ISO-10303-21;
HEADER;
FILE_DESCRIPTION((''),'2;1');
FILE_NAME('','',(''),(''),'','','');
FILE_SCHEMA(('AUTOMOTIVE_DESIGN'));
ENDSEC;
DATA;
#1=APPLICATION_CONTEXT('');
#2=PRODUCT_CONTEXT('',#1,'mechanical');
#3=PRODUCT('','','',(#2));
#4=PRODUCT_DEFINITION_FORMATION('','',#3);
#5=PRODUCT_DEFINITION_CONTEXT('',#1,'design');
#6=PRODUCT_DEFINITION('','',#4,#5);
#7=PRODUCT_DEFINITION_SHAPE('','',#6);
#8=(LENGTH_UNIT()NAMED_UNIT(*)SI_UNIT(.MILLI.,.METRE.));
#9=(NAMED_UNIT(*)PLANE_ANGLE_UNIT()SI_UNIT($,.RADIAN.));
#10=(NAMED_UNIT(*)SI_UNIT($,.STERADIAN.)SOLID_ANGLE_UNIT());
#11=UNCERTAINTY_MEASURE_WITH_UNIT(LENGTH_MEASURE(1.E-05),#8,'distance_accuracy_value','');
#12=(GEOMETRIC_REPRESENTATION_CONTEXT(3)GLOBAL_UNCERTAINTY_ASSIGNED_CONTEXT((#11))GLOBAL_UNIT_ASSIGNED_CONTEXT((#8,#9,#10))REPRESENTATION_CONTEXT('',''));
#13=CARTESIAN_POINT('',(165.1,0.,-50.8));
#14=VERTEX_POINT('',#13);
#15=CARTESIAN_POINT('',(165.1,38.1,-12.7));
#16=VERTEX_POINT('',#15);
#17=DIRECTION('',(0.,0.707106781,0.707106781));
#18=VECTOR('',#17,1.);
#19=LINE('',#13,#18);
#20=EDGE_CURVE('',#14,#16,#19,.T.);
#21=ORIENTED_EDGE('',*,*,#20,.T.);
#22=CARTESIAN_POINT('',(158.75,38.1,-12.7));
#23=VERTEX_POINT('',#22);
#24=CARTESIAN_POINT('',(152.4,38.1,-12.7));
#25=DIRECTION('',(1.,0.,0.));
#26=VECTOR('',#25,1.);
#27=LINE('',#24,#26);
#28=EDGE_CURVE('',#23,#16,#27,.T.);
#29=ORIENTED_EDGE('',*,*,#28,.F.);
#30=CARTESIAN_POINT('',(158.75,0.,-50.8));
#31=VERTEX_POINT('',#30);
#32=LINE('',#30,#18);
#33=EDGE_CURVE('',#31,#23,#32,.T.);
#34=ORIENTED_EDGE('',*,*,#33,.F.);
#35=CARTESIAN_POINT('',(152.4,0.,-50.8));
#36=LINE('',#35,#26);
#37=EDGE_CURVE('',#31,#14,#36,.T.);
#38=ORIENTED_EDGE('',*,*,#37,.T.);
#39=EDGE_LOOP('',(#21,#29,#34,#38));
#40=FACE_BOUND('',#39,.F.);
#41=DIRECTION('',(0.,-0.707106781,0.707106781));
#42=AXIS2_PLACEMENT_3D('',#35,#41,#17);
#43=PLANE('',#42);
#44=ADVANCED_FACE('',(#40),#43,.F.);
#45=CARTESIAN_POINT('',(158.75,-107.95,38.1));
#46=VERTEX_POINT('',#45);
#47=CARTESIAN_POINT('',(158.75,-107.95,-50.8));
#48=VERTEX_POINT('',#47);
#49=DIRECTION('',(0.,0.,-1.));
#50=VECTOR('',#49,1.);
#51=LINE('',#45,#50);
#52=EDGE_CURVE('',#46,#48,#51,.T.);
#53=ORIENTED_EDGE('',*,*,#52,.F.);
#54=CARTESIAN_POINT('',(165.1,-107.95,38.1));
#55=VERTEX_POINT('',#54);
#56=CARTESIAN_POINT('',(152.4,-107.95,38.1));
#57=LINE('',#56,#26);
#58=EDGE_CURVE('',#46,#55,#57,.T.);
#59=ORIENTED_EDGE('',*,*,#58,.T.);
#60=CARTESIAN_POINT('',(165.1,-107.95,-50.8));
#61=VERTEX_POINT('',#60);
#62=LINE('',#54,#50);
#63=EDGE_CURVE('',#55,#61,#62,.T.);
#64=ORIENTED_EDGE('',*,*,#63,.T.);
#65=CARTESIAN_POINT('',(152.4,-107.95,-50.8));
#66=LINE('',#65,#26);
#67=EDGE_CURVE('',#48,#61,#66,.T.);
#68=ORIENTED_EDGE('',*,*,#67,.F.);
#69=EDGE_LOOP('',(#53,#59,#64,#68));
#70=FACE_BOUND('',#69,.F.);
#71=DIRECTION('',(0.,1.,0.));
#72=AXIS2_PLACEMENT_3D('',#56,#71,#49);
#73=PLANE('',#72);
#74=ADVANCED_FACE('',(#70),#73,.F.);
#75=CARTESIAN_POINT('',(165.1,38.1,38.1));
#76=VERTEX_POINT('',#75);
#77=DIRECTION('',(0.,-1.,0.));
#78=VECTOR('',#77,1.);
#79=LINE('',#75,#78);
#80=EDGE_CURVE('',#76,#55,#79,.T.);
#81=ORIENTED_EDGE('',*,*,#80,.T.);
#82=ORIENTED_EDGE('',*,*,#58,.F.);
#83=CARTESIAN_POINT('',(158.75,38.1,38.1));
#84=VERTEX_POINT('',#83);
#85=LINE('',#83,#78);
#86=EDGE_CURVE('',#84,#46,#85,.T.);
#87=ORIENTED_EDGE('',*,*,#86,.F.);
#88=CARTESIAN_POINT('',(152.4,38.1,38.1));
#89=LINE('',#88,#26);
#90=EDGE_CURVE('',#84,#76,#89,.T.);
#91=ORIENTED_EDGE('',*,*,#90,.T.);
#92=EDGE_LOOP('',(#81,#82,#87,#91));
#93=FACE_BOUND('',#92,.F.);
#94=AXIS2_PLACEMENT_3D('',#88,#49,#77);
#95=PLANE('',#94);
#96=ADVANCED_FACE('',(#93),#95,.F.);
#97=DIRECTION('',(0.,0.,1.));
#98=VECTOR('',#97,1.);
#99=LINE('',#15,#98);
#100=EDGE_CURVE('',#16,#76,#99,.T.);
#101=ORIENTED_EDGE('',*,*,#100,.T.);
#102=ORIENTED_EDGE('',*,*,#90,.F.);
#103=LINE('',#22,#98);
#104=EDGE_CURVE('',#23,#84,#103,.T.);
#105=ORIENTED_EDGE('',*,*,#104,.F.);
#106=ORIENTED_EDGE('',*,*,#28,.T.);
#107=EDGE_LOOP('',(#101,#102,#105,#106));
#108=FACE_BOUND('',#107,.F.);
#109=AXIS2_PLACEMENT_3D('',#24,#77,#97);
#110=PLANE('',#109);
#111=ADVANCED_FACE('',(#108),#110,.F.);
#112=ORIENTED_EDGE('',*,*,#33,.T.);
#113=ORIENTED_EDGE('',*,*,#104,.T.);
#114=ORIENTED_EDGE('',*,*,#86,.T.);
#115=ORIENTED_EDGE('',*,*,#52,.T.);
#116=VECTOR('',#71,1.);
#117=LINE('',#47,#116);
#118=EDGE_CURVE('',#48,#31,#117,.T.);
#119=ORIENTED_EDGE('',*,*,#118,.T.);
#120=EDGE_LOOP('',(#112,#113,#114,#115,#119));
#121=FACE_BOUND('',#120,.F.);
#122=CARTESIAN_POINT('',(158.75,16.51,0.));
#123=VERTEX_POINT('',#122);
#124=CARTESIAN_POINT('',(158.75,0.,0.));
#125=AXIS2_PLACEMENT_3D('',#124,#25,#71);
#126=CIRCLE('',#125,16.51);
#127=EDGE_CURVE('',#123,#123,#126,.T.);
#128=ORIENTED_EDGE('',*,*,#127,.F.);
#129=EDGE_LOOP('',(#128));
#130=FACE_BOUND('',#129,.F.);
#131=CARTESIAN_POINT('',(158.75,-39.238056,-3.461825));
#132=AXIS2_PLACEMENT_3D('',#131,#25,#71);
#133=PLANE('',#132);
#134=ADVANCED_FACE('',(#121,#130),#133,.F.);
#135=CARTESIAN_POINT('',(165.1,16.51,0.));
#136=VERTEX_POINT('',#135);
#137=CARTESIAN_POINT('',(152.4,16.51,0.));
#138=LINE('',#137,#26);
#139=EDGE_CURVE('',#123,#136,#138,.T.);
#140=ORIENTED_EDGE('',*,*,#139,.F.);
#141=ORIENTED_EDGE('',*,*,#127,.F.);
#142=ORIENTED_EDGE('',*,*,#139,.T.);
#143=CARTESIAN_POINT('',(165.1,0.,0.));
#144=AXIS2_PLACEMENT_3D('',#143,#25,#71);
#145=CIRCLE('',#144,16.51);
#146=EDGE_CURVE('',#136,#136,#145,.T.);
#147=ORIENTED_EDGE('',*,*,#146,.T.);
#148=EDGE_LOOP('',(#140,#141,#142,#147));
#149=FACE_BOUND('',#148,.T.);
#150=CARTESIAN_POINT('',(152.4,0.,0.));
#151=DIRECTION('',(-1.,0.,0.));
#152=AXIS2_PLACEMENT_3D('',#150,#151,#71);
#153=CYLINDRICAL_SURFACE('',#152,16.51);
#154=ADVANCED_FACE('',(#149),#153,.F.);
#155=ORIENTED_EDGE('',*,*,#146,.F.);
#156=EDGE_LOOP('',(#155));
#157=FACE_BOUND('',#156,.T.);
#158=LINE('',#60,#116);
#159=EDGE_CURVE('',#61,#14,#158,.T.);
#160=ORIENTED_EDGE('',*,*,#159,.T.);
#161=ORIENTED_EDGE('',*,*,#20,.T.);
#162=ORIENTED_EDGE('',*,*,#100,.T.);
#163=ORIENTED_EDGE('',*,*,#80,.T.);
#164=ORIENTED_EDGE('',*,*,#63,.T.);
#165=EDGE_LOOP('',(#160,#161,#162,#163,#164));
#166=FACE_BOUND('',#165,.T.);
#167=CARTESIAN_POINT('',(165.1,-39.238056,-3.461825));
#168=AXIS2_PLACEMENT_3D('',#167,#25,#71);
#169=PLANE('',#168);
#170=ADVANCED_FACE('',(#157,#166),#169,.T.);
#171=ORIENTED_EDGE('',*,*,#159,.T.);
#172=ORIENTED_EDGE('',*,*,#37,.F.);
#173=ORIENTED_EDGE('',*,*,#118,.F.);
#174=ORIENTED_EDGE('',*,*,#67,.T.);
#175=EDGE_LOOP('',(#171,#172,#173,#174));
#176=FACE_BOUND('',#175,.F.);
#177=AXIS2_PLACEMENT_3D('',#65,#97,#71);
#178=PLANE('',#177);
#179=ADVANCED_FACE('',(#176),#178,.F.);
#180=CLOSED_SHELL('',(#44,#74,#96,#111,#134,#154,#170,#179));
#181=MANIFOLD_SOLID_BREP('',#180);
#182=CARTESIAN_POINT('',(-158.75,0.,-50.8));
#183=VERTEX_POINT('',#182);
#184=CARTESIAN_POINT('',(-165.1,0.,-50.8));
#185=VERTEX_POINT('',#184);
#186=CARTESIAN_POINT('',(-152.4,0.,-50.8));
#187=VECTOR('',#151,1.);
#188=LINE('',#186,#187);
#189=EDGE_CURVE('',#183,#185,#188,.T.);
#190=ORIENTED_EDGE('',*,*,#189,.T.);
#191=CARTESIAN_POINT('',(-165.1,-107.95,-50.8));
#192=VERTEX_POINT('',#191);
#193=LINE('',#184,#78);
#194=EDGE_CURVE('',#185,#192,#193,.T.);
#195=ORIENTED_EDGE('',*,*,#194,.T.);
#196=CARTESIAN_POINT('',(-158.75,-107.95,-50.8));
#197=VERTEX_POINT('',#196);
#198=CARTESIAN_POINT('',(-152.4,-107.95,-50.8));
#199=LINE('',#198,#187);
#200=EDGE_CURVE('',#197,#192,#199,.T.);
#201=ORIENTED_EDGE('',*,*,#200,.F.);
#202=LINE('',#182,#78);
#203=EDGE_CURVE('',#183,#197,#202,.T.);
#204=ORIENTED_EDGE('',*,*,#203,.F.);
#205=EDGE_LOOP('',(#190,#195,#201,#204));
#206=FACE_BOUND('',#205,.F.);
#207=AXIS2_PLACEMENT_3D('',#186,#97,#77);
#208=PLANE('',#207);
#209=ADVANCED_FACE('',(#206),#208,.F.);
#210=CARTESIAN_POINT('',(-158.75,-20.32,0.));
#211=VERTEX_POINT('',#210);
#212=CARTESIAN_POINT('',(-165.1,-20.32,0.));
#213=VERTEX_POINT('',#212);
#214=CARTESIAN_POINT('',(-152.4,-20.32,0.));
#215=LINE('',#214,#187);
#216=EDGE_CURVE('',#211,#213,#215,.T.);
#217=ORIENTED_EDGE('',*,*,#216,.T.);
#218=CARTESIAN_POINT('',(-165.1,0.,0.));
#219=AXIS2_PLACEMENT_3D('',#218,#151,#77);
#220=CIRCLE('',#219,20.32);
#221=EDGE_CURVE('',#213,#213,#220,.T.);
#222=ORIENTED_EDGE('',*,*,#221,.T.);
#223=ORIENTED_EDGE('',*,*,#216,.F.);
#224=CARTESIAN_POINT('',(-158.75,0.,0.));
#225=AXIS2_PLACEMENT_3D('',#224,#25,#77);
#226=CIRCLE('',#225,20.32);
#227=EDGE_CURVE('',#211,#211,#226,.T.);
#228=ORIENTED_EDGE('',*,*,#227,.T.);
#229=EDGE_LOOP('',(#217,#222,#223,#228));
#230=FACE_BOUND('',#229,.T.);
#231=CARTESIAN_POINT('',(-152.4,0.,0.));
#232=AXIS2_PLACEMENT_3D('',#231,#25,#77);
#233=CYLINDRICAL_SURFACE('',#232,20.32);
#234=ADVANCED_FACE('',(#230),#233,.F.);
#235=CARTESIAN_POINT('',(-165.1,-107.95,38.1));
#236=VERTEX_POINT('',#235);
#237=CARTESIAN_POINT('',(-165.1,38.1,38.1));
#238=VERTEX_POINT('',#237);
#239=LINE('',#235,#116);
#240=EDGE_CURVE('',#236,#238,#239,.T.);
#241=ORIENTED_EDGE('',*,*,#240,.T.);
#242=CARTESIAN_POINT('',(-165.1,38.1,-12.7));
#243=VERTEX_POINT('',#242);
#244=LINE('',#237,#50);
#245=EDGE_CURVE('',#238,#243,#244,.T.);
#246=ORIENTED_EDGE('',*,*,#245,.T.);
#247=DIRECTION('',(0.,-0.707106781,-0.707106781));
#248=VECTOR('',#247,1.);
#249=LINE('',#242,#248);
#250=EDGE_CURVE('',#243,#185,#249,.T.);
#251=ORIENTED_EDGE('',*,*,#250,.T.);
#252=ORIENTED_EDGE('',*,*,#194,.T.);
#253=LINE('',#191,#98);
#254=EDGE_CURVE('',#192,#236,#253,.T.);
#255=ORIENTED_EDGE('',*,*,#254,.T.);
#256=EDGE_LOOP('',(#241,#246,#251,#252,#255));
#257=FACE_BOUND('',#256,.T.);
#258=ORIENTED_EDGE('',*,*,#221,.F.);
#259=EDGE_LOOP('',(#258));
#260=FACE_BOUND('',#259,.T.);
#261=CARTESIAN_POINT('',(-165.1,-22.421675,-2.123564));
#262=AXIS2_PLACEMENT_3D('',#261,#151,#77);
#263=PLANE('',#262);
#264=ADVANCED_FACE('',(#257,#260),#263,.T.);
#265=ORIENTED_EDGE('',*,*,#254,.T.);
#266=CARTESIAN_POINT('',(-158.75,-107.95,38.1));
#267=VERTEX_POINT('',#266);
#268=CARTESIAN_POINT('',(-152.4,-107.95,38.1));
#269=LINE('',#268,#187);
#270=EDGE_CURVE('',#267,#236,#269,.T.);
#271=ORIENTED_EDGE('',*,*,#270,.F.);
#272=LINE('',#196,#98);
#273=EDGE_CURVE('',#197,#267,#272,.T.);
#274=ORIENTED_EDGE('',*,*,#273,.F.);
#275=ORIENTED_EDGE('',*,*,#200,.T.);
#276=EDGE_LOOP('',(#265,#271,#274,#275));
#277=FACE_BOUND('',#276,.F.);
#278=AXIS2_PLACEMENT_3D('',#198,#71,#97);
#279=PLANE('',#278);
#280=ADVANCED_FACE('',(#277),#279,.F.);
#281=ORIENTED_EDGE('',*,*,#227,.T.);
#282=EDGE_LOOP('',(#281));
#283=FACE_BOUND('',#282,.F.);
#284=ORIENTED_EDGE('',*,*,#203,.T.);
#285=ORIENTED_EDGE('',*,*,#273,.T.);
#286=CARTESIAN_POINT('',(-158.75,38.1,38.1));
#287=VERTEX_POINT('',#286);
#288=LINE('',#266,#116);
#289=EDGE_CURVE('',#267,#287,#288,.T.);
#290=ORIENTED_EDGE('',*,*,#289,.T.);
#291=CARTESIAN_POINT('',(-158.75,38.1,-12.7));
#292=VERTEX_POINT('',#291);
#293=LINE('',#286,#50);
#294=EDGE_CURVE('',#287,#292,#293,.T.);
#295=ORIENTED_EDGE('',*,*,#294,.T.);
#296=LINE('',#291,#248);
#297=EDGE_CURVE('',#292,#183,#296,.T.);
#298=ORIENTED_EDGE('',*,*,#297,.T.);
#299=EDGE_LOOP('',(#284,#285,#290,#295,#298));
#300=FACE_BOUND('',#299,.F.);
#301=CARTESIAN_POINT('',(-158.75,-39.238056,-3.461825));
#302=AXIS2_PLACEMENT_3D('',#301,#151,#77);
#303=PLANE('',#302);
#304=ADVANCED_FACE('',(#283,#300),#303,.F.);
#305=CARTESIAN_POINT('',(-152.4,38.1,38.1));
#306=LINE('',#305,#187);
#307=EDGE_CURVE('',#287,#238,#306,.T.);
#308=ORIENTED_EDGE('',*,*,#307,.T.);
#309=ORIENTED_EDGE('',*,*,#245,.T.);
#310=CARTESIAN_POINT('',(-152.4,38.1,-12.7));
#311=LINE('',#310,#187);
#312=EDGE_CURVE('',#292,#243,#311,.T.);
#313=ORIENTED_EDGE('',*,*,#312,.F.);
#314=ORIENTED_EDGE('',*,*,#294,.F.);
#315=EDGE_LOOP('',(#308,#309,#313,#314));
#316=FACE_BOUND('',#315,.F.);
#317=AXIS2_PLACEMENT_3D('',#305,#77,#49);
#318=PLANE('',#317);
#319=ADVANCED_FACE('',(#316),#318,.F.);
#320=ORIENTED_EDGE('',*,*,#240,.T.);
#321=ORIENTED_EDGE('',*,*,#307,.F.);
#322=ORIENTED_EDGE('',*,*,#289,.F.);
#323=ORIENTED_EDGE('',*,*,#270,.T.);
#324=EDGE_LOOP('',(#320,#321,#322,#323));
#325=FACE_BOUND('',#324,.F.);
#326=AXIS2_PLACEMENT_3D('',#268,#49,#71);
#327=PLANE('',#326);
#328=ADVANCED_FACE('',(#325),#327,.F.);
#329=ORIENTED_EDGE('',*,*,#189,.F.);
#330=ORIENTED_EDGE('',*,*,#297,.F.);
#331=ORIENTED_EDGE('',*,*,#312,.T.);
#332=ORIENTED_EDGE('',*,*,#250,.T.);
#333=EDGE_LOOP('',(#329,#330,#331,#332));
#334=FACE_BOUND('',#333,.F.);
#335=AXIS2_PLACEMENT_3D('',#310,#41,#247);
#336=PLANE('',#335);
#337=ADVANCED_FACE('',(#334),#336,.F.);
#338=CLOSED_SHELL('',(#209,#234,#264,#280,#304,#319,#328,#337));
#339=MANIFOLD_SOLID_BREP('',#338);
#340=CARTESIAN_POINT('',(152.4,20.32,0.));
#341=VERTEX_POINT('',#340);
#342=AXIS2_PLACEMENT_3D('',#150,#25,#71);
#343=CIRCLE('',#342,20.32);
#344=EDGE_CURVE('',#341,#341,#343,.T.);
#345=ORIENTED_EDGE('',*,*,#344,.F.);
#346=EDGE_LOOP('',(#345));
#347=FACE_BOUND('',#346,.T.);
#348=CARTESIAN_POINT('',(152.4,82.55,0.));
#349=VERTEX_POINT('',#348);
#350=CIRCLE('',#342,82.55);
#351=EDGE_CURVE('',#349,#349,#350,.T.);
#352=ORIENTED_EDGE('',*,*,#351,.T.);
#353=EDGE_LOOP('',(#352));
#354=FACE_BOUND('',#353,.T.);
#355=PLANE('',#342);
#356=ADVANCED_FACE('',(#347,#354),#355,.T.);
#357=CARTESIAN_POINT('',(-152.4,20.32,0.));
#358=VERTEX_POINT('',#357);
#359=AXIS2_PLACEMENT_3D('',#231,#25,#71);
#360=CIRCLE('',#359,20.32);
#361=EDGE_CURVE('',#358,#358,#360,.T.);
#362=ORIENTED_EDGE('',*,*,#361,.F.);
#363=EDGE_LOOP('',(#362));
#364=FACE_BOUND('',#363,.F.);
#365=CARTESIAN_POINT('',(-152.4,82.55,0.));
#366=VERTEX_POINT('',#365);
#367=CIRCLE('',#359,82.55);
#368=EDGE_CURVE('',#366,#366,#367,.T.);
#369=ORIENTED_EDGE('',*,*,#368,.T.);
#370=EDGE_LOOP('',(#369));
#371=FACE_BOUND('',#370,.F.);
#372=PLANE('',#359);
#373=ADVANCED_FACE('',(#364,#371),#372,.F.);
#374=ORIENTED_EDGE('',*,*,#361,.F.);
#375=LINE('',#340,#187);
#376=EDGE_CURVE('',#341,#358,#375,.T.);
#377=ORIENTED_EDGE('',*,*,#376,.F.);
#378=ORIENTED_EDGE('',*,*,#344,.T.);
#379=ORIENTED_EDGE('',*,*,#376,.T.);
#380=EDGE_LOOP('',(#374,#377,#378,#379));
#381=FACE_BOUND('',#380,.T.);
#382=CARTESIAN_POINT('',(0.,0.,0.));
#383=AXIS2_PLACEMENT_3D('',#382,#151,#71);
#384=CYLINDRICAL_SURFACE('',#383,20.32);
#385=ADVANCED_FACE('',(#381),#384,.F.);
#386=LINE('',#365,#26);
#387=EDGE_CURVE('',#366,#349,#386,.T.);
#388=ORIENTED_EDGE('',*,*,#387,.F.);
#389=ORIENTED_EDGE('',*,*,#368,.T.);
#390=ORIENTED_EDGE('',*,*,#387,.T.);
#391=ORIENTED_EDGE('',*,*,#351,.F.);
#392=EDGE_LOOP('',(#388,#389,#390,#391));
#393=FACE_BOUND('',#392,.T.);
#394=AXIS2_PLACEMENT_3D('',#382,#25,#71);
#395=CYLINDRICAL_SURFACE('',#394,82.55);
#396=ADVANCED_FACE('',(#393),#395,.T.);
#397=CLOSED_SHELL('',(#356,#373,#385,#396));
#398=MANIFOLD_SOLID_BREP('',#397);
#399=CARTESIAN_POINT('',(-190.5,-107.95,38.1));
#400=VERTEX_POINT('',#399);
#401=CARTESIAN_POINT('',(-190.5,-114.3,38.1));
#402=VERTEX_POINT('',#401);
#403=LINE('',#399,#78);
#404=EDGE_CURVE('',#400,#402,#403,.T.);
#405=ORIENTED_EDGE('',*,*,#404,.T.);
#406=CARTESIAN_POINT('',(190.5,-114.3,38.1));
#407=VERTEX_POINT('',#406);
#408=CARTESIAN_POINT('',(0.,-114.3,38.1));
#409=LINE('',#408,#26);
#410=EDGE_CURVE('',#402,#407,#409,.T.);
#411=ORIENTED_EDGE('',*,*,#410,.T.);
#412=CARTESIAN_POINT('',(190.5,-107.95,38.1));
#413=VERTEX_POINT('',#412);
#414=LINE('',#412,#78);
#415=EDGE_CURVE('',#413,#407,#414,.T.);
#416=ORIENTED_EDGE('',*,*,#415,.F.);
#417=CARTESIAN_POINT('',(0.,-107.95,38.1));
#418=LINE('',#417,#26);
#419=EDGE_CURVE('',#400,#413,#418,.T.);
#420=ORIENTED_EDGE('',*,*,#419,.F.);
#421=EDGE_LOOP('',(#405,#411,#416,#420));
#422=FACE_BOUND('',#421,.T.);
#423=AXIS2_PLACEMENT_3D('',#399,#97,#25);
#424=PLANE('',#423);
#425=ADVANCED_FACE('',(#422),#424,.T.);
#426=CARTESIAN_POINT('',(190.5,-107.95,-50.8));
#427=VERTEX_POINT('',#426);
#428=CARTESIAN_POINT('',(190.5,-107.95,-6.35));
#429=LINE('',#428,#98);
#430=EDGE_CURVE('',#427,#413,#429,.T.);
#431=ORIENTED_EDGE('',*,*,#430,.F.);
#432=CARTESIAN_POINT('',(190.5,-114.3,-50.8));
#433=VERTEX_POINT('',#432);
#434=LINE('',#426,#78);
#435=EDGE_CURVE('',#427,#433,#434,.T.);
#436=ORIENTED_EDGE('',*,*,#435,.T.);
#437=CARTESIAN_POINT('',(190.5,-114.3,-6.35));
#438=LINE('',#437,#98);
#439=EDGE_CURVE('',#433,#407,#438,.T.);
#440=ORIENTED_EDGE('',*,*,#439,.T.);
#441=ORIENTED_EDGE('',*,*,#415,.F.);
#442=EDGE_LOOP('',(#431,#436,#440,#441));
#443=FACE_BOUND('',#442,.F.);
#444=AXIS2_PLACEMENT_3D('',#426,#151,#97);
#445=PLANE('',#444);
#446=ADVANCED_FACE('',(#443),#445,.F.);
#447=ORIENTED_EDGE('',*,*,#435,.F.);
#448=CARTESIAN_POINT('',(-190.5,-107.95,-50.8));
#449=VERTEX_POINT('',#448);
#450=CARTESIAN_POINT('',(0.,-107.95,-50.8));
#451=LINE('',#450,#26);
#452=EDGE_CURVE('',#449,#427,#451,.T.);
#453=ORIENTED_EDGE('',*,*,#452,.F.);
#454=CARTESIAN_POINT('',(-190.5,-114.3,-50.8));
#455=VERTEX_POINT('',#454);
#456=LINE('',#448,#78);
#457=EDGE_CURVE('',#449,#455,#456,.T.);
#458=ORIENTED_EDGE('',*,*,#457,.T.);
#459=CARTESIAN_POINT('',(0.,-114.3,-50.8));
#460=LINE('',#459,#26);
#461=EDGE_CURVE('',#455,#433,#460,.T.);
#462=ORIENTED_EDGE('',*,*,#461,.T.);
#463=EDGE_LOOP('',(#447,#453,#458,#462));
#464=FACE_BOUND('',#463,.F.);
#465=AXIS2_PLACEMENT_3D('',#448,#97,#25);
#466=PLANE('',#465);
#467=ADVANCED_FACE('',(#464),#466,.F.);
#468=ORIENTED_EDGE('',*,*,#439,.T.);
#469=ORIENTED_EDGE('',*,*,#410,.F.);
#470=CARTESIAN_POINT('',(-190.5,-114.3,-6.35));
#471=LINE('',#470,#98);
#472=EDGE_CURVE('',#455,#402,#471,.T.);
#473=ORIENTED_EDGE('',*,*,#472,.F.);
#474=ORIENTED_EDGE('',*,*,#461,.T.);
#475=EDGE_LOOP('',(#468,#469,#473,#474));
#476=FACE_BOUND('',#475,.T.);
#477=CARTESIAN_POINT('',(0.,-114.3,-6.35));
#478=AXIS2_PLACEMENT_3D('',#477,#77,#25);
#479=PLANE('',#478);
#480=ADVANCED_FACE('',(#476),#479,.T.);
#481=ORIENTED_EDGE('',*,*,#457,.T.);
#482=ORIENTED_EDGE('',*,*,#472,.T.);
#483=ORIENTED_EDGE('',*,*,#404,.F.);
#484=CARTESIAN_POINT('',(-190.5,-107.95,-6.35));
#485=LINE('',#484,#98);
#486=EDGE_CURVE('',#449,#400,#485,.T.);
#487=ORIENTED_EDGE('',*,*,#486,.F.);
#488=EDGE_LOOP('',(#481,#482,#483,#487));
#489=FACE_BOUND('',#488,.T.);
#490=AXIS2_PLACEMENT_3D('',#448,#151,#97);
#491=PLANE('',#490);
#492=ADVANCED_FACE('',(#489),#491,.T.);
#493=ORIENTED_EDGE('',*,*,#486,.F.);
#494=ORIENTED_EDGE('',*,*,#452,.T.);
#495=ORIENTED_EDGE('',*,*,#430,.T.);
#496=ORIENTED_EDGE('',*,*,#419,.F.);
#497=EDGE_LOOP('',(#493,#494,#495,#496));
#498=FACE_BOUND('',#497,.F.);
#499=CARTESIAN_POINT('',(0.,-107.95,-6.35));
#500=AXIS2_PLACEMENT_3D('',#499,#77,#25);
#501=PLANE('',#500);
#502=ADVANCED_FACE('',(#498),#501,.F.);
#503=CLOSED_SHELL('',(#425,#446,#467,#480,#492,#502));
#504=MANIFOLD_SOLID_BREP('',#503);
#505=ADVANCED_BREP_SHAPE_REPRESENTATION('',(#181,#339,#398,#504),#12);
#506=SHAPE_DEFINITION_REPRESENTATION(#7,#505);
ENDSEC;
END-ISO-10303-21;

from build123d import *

# Parameters (mm, degrees)
F0_R     = 82.55
F0_R_2   = 20.32
F1_DEPTH = 152.4
F2_R     = 16.51
F3_DEPTH = 12.7
F4_R     = 20.32
F5_DEPTH = 12.7
F6_DEPTH = 6.35
F4_R_2   = 16.51
F7_DEPTH = 6.35
F8_W     = 381
F8_H     = 88.9
F9_DEPTH = 6.35


with BuildPart() as f1:
    # F0 (on Right) → F1 (new body, symmetric)
    with BuildSketch(Plane.YZ):
        Circle(F0_R)
        Circle(F0_R_2, mode=Mode.SUBTRACT)
    extrude(amount=F1_DEPTH, both=True)


with BuildPart() as f3:
    # F2 (on face) → F3 (new body)
    with BuildSketch(Plane.YZ.offset(152.4)):
        Polygon((38.1, 38.1), (-107.95, 38.1), (-107.95, -50.8), (0, -50.8), (38.1, -12.7), align=None)
        Circle(F2_R, mode=Mode.SUBTRACT)
    extrude(amount=F3_DEPTH)

    # F2 (on face) → F6 (cut)
    with BuildSketch(Plane.YZ.offset(152.4)):
        Polygon((38.1, 38.1), (-107.95, 38.1), (-107.95, -50.8), (0, -50.8), (38.1, -12.7), align=None)
        Circle(F2_R, mode=Mode.SUBTRACT)
    extrude(amount=F6_DEPTH, mode=Mode.SUBTRACT)


with BuildPart() as f5:
    # F4 (on face) → F5 (new body)
    with BuildSketch(Plane(origin=(-152.4, 0, 0), x_dir=(0, -1, 0), z_dir=(-1, 0, 0))):
        with BuildLine():
            Line((-38.1, -12.7), (0, -50.8))
            Line((0, -50.8), (65.068137, -50.8))
            ThreePointArc((65.068137, -50.8), (78.057278, -26.861941), (82.55, 0))
            ThreePointArc((82.55, 0), (80.186611, 19.611472), (73.231772, 38.1))
            Line((73.231772, 38.1), (-38.1, 38.1))
            Line((-38.1, 38.1), (-38.1, -12.7))
        make_face()
        Circle(F4_R, mode=Mode.SUBTRACT)
        with BuildLine():
            ThreePointArc((82.55, 0), (78.057278, -26.861941), (65.068137, -50.8))
            Line((65.068137, -50.8), (107.95, -50.8))
            Line((107.95, -50.8), (107.95, 38.1))
            Line((107.95, 38.1), (73.231772, 38.1))
            ThreePointArc((73.231772, 38.1), (80.186611, 19.611472), (82.55, 0))
        make_face()
    extrude(amount=F5_DEPTH)

    # F4 (on face) → F7 (cut)
    with BuildSketch(Plane(origin=(-152.4, 0, 0), x_dir=(0, -1, 0), z_dir=(-1, 0, 0))):
        Polygon((-38.1, -12.7), (0, -50.8), (107.95, -50.8), (107.95, 38.1), (-38.1, 38.1), align=None)
        Circle(F4_R_2, mode=Mode.SUBTRACT)
    extrude(amount=F7_DEPTH, mode=Mode.SUBTRACT)


with BuildPart() as f9:
    # F8 (on face) → F9 (new body)
    with BuildSketch(Plane.XZ.offset(107.95)):
        with Locations((0, -6.35)):
            Rectangle(F8_W, F8_H)
    extrude(amount=F9_DEPTH)


solid = Compound([f1.part, f3.part, f5.part, f9.part])
